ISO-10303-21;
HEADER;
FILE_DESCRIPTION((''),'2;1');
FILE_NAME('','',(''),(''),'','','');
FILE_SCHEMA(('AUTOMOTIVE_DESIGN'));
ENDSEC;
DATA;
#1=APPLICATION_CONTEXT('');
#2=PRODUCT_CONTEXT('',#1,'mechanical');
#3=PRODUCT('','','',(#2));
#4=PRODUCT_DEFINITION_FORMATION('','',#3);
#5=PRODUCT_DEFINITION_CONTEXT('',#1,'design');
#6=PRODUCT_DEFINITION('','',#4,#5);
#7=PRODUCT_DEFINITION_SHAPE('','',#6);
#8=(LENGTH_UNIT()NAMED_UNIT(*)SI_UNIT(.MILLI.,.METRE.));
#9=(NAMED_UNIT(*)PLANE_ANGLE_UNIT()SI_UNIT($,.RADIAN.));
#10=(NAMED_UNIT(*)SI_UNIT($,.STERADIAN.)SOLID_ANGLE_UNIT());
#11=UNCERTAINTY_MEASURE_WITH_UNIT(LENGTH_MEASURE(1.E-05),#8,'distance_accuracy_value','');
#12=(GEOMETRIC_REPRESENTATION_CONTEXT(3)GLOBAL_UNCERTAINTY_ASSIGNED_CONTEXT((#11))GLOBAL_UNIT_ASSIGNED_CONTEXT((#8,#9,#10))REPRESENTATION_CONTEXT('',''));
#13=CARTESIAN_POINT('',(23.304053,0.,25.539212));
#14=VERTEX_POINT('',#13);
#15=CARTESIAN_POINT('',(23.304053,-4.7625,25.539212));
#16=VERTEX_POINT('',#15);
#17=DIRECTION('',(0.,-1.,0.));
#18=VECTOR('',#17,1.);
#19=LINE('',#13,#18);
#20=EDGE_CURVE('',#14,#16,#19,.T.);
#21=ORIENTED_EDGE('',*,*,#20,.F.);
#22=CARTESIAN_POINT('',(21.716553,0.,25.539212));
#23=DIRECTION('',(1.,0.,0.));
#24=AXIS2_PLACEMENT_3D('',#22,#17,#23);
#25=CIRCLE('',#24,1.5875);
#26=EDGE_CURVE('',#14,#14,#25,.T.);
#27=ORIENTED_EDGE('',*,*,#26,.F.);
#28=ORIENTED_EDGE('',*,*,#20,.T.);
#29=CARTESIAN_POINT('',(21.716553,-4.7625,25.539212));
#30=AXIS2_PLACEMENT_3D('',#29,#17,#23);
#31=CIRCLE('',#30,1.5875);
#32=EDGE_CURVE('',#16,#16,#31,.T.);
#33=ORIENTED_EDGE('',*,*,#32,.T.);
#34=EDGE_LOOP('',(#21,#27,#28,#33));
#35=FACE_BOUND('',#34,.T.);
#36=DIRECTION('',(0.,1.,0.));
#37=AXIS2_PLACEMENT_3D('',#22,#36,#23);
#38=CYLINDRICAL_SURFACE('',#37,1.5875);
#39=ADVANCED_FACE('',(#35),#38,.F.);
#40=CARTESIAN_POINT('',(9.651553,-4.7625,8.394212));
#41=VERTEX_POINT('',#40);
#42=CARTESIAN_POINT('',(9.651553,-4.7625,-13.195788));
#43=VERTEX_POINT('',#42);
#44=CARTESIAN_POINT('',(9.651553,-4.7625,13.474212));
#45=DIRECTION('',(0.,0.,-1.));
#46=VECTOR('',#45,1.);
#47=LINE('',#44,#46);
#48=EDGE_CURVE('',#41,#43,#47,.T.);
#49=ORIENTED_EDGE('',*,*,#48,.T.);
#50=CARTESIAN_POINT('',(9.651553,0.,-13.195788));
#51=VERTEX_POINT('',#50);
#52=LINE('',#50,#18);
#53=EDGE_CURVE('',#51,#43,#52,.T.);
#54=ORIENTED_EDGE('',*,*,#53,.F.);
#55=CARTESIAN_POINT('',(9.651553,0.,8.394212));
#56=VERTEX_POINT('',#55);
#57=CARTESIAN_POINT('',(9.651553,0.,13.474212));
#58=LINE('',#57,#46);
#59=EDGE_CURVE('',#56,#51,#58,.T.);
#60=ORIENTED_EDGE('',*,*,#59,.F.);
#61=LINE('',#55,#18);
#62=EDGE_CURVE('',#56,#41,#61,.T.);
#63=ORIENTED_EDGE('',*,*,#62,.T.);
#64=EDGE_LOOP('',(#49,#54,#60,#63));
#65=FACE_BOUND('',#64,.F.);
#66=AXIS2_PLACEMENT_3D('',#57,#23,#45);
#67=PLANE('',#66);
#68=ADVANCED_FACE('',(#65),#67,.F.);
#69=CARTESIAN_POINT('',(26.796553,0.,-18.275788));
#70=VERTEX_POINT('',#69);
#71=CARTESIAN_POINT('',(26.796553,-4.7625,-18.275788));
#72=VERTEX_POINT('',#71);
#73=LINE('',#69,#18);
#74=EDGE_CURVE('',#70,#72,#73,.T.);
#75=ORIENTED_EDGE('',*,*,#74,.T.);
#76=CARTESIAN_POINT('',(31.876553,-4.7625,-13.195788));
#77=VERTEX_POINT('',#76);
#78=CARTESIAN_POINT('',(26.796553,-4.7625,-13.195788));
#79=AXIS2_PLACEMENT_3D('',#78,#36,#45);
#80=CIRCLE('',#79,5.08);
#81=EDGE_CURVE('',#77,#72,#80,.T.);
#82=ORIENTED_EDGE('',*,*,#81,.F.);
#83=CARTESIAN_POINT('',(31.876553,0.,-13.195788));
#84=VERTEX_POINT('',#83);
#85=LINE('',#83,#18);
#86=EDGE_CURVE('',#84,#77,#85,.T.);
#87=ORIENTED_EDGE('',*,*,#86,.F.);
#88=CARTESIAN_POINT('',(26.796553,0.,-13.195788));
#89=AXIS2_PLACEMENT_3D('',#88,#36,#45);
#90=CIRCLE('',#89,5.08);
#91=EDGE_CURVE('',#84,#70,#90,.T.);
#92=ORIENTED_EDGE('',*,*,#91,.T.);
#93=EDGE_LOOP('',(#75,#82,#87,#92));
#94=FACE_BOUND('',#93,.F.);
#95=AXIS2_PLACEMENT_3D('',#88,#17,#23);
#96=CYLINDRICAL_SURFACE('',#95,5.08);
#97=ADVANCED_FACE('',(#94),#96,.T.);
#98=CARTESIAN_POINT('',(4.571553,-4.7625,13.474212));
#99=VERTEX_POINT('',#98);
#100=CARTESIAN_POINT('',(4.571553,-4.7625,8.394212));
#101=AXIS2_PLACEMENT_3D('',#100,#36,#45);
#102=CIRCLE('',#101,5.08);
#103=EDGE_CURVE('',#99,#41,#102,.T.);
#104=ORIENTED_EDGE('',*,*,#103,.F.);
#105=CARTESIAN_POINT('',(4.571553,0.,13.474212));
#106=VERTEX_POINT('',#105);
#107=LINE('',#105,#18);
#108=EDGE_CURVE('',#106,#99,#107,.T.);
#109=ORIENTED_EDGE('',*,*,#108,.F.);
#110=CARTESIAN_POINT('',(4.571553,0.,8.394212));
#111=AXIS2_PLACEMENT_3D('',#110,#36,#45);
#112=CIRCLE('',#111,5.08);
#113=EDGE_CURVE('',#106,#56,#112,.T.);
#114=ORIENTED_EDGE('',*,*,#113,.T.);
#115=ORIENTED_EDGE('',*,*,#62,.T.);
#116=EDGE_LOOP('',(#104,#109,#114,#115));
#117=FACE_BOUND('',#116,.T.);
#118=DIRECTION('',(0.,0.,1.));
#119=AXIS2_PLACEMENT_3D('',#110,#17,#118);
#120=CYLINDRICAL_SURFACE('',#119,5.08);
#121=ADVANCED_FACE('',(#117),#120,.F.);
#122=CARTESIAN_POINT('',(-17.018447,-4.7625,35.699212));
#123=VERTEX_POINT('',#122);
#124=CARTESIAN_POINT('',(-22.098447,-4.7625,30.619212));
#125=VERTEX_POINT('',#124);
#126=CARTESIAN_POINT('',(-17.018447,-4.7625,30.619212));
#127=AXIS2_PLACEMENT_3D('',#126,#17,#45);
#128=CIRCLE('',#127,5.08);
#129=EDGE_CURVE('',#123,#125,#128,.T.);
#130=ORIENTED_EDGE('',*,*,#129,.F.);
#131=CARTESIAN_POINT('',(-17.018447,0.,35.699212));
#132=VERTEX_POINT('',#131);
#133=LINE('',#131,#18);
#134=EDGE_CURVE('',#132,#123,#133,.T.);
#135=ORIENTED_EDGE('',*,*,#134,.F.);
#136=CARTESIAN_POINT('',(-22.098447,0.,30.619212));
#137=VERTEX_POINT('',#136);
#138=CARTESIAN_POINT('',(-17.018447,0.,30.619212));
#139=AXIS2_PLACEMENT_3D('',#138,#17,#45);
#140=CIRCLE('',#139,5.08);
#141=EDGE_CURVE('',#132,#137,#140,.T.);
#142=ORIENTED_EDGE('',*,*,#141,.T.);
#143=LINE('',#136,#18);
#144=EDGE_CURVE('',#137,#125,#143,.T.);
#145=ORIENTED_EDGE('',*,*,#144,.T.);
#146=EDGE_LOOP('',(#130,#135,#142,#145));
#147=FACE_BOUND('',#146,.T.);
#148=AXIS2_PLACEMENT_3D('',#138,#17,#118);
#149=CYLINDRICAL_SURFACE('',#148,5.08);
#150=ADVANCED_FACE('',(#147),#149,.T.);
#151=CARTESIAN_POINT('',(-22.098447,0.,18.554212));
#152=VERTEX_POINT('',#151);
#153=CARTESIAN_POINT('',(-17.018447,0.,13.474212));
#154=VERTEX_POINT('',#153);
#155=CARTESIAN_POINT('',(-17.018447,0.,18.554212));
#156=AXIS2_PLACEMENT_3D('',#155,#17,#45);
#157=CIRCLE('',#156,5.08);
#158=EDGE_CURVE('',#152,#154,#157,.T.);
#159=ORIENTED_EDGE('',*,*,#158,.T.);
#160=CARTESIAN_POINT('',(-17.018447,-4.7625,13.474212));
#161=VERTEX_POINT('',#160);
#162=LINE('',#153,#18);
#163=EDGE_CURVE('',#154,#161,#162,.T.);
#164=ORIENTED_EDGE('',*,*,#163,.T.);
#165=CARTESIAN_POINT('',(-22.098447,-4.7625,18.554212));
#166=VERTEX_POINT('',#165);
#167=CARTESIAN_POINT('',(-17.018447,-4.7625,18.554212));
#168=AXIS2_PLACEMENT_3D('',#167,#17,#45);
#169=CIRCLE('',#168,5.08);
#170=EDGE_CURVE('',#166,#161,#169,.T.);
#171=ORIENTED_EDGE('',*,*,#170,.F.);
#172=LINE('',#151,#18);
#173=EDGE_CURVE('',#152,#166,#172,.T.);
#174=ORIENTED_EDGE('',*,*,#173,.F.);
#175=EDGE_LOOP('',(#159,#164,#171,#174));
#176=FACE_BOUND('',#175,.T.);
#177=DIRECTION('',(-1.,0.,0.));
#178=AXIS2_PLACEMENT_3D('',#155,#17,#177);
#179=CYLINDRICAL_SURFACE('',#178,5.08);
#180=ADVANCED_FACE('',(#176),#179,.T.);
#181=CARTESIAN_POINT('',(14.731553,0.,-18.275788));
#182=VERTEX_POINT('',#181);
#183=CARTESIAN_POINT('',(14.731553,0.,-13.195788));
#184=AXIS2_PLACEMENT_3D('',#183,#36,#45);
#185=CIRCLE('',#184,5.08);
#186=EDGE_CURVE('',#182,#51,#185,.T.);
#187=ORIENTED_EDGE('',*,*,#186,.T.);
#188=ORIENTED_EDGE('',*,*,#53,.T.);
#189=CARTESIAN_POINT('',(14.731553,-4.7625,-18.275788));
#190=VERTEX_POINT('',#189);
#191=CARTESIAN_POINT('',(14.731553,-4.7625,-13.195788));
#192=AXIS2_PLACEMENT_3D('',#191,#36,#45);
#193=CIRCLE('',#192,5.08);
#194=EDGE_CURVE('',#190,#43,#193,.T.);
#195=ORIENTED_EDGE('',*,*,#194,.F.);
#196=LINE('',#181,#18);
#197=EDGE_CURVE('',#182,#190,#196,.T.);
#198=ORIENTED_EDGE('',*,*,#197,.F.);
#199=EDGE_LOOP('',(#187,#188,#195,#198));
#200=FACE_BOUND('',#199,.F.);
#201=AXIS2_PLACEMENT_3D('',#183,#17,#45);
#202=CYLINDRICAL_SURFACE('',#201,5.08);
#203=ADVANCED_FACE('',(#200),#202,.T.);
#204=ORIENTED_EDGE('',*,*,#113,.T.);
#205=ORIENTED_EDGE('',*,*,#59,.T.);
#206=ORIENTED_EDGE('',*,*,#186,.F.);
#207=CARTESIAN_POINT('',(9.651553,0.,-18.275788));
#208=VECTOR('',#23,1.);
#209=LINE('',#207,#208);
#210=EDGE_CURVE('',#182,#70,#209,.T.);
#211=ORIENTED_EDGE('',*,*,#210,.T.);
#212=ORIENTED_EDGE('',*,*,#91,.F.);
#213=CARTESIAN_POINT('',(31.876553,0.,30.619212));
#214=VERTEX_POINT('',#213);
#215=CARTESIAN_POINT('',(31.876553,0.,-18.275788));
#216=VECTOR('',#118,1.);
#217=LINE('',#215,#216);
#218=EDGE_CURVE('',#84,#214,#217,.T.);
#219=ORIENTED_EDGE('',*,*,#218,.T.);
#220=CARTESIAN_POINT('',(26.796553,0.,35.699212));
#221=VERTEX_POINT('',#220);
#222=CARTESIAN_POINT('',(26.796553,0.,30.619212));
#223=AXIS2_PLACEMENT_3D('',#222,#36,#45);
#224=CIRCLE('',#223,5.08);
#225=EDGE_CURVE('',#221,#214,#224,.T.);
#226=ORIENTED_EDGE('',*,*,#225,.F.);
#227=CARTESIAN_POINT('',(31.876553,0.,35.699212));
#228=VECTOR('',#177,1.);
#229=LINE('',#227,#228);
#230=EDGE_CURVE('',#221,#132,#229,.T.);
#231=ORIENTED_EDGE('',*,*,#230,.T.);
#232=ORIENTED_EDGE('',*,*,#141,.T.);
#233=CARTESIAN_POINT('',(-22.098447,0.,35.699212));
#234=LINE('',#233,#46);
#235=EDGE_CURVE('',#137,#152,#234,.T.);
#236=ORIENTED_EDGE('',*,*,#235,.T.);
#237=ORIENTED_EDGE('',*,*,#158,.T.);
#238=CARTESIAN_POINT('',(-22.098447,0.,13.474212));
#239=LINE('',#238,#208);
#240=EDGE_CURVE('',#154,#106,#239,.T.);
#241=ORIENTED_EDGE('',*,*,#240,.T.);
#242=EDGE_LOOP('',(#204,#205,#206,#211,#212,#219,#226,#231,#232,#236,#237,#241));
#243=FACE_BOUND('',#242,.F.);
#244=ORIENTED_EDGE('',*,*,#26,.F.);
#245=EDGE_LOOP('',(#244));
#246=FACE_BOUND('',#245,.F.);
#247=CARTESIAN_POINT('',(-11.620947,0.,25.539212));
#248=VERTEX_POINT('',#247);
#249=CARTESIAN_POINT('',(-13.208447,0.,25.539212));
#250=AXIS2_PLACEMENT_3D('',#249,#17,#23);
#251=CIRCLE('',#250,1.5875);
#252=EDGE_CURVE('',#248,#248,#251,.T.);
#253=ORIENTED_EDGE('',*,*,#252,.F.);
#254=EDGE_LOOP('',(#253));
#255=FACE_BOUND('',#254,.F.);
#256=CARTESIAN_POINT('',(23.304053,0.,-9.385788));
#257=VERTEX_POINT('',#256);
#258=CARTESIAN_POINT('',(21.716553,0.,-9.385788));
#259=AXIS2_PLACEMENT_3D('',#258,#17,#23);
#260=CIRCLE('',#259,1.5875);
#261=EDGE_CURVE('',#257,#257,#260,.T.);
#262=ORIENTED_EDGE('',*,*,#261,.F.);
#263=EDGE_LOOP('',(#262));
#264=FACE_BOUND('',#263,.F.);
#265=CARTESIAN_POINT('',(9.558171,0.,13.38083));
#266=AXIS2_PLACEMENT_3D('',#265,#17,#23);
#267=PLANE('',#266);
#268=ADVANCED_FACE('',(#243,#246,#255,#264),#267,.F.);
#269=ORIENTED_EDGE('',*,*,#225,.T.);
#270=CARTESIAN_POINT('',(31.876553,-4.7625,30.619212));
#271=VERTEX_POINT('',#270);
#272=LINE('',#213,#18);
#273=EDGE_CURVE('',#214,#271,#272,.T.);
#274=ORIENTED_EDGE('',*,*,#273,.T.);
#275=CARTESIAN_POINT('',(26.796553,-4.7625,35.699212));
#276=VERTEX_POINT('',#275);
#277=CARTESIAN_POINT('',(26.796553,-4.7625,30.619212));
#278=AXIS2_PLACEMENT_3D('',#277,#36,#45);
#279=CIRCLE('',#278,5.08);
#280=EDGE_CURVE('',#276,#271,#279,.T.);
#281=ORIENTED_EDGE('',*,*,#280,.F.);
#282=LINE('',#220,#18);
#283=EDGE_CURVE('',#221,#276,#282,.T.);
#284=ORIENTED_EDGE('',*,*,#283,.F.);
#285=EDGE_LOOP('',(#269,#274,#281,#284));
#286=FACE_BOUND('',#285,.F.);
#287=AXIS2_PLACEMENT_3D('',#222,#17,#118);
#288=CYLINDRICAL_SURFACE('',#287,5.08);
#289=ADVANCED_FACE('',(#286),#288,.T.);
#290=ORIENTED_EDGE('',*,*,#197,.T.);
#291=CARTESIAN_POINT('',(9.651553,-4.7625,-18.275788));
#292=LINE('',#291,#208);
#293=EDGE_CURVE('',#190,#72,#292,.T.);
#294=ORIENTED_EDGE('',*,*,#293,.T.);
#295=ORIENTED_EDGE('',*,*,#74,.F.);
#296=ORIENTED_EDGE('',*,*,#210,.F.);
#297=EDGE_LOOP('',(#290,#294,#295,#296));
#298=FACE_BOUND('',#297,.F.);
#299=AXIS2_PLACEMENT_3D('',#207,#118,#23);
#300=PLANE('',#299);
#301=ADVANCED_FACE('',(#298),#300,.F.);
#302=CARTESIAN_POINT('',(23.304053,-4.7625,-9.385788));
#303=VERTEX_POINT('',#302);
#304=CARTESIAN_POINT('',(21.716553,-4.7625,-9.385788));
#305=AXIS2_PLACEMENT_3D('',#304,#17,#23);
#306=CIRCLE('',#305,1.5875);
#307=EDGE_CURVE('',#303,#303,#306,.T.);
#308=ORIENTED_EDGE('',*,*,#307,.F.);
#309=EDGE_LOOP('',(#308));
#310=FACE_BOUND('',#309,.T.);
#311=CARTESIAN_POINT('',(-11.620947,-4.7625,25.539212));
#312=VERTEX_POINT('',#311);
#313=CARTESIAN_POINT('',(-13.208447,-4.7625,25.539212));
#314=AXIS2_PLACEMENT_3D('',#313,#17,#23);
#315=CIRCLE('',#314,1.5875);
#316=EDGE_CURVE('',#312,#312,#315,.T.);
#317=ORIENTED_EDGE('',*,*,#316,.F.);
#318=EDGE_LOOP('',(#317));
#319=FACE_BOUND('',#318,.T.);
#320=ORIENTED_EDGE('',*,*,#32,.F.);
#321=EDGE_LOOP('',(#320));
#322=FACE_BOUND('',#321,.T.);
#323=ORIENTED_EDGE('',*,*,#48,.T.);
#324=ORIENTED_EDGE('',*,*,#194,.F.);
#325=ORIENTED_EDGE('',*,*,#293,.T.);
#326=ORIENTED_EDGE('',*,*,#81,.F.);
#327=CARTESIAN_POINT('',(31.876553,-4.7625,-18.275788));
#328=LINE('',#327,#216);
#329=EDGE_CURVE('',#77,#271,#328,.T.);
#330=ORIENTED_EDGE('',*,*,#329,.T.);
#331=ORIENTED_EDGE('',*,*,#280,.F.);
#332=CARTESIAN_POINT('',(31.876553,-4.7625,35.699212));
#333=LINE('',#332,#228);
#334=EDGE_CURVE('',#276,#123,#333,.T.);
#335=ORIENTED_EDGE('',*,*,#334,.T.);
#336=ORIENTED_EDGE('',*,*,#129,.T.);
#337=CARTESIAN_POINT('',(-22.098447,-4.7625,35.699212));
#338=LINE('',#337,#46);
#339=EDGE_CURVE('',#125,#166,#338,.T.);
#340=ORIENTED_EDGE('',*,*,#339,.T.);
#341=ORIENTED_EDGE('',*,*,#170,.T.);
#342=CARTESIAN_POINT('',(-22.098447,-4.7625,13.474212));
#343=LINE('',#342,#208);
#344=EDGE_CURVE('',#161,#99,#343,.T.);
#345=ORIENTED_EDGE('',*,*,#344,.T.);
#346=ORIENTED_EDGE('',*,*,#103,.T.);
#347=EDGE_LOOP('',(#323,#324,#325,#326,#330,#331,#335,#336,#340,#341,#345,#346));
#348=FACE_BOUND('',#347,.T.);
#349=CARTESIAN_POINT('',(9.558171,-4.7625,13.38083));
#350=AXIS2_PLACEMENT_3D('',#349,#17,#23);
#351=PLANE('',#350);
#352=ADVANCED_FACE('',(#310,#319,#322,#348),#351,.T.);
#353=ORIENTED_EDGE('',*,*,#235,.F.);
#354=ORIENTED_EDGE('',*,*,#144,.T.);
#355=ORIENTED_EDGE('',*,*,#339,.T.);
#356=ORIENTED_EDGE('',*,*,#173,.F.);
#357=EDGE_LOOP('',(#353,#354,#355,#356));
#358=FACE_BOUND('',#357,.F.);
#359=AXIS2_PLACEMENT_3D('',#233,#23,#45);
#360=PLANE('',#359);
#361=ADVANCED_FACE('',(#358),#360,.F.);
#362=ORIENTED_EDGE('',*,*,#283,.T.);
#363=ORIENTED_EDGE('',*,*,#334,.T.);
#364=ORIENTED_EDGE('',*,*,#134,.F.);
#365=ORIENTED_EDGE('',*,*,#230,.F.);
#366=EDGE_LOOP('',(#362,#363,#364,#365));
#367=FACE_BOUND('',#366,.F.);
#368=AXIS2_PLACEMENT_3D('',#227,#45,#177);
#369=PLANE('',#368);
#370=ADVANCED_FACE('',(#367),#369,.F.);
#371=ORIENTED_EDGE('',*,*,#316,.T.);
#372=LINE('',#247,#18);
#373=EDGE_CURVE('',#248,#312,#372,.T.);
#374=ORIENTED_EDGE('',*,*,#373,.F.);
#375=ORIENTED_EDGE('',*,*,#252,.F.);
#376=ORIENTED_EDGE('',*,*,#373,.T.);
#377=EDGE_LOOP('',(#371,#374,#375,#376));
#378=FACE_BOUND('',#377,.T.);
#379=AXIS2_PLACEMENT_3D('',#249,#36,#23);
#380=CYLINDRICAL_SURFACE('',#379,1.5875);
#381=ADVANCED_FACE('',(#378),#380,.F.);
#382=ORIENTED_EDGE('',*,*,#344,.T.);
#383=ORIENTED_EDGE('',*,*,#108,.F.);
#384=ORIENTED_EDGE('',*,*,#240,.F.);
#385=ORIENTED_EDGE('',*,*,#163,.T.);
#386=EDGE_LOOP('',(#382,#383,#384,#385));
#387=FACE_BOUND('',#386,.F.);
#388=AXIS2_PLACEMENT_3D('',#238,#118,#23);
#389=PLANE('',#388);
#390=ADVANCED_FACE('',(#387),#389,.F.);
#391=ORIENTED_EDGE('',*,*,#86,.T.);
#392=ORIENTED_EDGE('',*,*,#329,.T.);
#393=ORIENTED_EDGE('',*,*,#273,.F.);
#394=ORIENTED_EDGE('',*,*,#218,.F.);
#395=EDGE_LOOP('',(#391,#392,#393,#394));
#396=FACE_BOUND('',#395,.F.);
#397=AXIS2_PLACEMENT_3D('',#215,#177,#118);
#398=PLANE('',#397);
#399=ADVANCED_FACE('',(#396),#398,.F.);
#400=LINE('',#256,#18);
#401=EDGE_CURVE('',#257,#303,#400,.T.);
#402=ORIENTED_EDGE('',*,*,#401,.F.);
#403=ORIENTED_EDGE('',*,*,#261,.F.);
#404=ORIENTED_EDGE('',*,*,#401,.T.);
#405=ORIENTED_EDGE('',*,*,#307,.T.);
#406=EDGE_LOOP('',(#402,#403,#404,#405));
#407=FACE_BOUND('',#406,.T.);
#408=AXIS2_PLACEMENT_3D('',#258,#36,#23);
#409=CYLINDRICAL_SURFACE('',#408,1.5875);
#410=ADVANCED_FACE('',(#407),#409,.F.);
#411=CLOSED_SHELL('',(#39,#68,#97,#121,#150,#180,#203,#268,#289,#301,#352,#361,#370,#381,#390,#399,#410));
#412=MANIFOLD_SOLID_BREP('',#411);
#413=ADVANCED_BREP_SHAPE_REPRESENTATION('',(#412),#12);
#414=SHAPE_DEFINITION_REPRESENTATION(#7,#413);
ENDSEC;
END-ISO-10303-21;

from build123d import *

# Parameters (mm, degrees)
F0_R     = 1.5875
F1_DEPTH = 4.7625
F2_R     = 5.08


with BuildPart() as f1:
    # F0 (on Front) → F1 (new body)
    with BuildSketch(Plane.XZ):
        Polygon((31.876553, 35.699212), (-22.098447, 35.699212), (-22.098447, 13.474212), (9.651553, 13.474212), (9.651553, -18.275788), (31.876553, -18.275788), align=None)
        with Locations((21.716553, -9.385788)):
            Circle(F0_R, mode=Mode.SUBTRACT)
        with Locations((-13.208447, 25.539212)):
            Circle(F0_R, mode=Mode.SUBTRACT)
        with Locations((21.716553, 25.539212)):
            Circle(F0_R, mode=Mode.SUBTRACT)
    extrude(amount=F1_DEPTH)

    # F2
    f2_edges = [f1.edges().sort_by_distance(p)[0] for p in [
        (-22.098447, -2.38125, 35.699212),
        (-22.098447, -2.38125, 13.474212),
        (9.651553, -2.38125, -18.275788),
        (31.876553, -2.38125, 35.699212),
        (31.876553, -2.38125, -18.275788),
        (9.651553, -2.38125, 13.474212),
    ]]
    fillet(f2_edges, radius=F2_R)


solid = f1.part
